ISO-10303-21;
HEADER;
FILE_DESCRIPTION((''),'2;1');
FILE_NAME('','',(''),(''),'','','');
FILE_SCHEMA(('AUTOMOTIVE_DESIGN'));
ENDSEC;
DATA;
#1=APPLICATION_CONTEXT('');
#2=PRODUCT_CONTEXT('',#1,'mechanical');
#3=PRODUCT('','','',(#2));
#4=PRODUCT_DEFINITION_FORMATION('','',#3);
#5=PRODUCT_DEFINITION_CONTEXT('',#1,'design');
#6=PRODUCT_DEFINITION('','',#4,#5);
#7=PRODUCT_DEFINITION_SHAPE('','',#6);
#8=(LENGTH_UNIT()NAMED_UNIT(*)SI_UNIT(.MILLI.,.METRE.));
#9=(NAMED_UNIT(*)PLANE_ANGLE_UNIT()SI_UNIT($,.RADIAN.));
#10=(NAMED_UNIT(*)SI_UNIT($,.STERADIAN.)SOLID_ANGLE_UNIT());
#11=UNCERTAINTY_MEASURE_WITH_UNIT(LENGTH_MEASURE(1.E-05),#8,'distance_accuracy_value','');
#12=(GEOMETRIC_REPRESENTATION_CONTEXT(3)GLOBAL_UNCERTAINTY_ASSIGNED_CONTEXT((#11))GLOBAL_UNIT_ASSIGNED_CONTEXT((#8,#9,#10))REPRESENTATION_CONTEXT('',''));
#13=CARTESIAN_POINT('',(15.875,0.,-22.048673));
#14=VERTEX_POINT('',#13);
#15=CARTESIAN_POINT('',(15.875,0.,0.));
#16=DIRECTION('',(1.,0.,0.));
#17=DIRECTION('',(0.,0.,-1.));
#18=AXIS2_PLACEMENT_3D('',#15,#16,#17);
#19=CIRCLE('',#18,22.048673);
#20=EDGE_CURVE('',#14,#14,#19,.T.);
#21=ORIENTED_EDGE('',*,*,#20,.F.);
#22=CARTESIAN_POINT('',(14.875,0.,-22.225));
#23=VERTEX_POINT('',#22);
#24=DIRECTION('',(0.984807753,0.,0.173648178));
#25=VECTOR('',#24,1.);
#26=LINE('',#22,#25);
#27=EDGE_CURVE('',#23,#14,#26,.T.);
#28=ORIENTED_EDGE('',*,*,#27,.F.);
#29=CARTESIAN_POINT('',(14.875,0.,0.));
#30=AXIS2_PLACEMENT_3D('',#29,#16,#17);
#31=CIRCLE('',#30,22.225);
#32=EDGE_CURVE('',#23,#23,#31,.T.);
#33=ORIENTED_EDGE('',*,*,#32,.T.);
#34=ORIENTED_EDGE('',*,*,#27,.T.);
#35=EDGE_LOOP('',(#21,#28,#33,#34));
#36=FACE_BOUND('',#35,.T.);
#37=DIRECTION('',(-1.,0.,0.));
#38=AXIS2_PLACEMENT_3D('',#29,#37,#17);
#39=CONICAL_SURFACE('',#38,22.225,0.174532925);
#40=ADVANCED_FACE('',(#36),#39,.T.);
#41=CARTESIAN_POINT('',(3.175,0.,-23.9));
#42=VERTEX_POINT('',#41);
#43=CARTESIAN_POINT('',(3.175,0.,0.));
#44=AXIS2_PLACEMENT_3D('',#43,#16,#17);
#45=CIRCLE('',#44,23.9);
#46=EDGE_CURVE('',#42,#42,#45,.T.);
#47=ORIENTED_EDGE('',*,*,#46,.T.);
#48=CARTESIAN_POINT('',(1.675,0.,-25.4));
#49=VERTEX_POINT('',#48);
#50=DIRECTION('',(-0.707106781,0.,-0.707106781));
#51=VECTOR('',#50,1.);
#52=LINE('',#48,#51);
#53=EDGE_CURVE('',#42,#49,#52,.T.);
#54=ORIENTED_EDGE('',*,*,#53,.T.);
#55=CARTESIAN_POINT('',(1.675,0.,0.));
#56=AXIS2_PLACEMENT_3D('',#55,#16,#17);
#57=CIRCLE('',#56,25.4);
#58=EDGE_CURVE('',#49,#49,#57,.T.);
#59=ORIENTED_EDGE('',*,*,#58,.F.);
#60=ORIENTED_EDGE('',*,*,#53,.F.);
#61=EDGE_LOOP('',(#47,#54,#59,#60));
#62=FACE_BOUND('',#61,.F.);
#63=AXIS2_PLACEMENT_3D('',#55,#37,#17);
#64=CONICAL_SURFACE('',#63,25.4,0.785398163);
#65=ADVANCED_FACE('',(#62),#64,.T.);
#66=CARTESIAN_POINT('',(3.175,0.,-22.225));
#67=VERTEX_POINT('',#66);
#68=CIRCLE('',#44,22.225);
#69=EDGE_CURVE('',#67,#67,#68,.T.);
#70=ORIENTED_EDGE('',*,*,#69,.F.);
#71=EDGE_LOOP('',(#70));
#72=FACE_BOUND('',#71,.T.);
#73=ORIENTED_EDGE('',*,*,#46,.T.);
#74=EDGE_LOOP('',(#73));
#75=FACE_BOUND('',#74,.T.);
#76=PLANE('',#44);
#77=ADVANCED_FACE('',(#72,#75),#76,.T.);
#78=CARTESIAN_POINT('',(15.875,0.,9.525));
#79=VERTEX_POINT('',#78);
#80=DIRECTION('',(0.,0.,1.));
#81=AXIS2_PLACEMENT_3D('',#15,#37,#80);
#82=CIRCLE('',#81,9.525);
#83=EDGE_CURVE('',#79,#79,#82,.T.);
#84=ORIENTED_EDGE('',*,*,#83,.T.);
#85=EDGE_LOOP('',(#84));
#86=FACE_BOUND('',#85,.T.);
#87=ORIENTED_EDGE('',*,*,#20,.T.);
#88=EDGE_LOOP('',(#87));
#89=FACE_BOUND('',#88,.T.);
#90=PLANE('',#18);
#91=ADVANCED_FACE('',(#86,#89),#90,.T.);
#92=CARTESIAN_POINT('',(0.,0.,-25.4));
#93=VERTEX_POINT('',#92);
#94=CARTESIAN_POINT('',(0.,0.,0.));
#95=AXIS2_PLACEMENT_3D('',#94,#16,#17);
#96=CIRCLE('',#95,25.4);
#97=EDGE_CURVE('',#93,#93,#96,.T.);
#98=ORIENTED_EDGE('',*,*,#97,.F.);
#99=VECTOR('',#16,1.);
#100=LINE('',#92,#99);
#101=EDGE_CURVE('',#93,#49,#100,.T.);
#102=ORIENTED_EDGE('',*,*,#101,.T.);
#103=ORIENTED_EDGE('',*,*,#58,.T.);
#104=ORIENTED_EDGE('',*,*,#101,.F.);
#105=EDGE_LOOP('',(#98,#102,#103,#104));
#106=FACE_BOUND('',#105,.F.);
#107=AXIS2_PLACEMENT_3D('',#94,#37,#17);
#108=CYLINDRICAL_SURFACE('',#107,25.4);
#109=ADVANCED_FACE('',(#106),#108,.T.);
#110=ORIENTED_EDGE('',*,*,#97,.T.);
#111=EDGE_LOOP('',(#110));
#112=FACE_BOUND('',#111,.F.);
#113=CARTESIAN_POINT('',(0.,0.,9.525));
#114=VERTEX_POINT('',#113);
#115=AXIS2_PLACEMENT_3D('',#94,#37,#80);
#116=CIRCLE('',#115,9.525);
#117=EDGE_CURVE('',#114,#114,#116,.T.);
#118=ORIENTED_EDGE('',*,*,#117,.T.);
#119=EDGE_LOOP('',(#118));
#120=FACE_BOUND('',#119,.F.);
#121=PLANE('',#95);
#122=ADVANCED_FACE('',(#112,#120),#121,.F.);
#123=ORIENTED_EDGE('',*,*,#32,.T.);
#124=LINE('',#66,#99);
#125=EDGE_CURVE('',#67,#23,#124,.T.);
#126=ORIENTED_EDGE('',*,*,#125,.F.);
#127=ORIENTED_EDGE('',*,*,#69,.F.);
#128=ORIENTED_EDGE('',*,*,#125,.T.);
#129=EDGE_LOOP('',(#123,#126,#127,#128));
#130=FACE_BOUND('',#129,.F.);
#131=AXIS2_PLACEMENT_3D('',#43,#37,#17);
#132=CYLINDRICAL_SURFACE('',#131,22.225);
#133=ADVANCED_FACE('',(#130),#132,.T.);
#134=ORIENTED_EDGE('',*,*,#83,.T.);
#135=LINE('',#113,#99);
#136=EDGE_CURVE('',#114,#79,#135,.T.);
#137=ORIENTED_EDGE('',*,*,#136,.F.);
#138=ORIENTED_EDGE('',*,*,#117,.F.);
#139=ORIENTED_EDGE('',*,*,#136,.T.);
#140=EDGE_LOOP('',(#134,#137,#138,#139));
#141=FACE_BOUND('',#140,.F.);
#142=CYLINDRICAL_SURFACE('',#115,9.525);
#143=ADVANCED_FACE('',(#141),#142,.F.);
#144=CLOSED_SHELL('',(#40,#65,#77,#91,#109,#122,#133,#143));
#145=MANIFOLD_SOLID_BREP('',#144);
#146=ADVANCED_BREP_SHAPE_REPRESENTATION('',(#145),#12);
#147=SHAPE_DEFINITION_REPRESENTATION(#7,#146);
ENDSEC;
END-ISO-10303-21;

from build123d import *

# Parameters (mm, degrees)
SKETCH1_R           = 25.4
BOSS_EXTRUDE1_DEPTH = 3.175
SKETCH2_R           = 22.225
BOSS_EXTRUDE2_DEPTH = 12.7
SKETCH3_R           = 9.525
CUT_EXTRUDE1_DEPTH  = 16.875
CHAMFER1_SIZE       = 1
CHAMFER1_SIZE2      = 0.176326981
CHAMFER2_SIZE       = 1.5


with BuildPart() as part:
    # Sketch1 → Boss-Extrude1 (new body)
    with BuildSketch(Plane(origin=(0, 0, 0), x_dir=(0, 0, -1), z_dir=(1, 0, 0))):
        Circle(SKETCH1_R)
    extrude(amount=BOSS_EXTRUDE1_DEPTH)

    # Sketch2 → Boss-Extrude2 (add)
    with BuildSketch(Plane(origin=(3.175, 0, 0), x_dir=(0, 0, -1), z_dir=(1, 0, 0))):
        Circle(SKETCH2_R)
    extrude(amount=BOSS_EXTRUDE2_DEPTH)

    # Sketch3 → Cut-Extrude1 (cut, through all)
    with BuildSketch(Plane.ZY):
        Circle(SKETCH3_R)
    extrude(amount=-CUT_EXTRUDE1_DEPTH, mode=Mode.SUBTRACT)

    # Chamfer1
    chamfer1_edges = [part.edges().sort_by_distance(p)[0] for p in [
        (15.875, 0, 22.225),
    ]]
    chamfer1_side = [part.faces().sort_by_distance(p)[0] for p in [
        (9.525, 0, 22.225),
    ]]
    chamfer(chamfer1_edges, length=CHAMFER1_SIZE, length2=CHAMFER1_SIZE2, reference=chamfer1_side[0])

    # Chamfer2
    chamfer2_edges = [part.edges().sort_by_distance(p)[0] for p in [
        (3.175, 0, 25.4),
    ]]
    chamfer(chamfer2_edges, length=CHAMFER2_SIZE)


solid = part.part
